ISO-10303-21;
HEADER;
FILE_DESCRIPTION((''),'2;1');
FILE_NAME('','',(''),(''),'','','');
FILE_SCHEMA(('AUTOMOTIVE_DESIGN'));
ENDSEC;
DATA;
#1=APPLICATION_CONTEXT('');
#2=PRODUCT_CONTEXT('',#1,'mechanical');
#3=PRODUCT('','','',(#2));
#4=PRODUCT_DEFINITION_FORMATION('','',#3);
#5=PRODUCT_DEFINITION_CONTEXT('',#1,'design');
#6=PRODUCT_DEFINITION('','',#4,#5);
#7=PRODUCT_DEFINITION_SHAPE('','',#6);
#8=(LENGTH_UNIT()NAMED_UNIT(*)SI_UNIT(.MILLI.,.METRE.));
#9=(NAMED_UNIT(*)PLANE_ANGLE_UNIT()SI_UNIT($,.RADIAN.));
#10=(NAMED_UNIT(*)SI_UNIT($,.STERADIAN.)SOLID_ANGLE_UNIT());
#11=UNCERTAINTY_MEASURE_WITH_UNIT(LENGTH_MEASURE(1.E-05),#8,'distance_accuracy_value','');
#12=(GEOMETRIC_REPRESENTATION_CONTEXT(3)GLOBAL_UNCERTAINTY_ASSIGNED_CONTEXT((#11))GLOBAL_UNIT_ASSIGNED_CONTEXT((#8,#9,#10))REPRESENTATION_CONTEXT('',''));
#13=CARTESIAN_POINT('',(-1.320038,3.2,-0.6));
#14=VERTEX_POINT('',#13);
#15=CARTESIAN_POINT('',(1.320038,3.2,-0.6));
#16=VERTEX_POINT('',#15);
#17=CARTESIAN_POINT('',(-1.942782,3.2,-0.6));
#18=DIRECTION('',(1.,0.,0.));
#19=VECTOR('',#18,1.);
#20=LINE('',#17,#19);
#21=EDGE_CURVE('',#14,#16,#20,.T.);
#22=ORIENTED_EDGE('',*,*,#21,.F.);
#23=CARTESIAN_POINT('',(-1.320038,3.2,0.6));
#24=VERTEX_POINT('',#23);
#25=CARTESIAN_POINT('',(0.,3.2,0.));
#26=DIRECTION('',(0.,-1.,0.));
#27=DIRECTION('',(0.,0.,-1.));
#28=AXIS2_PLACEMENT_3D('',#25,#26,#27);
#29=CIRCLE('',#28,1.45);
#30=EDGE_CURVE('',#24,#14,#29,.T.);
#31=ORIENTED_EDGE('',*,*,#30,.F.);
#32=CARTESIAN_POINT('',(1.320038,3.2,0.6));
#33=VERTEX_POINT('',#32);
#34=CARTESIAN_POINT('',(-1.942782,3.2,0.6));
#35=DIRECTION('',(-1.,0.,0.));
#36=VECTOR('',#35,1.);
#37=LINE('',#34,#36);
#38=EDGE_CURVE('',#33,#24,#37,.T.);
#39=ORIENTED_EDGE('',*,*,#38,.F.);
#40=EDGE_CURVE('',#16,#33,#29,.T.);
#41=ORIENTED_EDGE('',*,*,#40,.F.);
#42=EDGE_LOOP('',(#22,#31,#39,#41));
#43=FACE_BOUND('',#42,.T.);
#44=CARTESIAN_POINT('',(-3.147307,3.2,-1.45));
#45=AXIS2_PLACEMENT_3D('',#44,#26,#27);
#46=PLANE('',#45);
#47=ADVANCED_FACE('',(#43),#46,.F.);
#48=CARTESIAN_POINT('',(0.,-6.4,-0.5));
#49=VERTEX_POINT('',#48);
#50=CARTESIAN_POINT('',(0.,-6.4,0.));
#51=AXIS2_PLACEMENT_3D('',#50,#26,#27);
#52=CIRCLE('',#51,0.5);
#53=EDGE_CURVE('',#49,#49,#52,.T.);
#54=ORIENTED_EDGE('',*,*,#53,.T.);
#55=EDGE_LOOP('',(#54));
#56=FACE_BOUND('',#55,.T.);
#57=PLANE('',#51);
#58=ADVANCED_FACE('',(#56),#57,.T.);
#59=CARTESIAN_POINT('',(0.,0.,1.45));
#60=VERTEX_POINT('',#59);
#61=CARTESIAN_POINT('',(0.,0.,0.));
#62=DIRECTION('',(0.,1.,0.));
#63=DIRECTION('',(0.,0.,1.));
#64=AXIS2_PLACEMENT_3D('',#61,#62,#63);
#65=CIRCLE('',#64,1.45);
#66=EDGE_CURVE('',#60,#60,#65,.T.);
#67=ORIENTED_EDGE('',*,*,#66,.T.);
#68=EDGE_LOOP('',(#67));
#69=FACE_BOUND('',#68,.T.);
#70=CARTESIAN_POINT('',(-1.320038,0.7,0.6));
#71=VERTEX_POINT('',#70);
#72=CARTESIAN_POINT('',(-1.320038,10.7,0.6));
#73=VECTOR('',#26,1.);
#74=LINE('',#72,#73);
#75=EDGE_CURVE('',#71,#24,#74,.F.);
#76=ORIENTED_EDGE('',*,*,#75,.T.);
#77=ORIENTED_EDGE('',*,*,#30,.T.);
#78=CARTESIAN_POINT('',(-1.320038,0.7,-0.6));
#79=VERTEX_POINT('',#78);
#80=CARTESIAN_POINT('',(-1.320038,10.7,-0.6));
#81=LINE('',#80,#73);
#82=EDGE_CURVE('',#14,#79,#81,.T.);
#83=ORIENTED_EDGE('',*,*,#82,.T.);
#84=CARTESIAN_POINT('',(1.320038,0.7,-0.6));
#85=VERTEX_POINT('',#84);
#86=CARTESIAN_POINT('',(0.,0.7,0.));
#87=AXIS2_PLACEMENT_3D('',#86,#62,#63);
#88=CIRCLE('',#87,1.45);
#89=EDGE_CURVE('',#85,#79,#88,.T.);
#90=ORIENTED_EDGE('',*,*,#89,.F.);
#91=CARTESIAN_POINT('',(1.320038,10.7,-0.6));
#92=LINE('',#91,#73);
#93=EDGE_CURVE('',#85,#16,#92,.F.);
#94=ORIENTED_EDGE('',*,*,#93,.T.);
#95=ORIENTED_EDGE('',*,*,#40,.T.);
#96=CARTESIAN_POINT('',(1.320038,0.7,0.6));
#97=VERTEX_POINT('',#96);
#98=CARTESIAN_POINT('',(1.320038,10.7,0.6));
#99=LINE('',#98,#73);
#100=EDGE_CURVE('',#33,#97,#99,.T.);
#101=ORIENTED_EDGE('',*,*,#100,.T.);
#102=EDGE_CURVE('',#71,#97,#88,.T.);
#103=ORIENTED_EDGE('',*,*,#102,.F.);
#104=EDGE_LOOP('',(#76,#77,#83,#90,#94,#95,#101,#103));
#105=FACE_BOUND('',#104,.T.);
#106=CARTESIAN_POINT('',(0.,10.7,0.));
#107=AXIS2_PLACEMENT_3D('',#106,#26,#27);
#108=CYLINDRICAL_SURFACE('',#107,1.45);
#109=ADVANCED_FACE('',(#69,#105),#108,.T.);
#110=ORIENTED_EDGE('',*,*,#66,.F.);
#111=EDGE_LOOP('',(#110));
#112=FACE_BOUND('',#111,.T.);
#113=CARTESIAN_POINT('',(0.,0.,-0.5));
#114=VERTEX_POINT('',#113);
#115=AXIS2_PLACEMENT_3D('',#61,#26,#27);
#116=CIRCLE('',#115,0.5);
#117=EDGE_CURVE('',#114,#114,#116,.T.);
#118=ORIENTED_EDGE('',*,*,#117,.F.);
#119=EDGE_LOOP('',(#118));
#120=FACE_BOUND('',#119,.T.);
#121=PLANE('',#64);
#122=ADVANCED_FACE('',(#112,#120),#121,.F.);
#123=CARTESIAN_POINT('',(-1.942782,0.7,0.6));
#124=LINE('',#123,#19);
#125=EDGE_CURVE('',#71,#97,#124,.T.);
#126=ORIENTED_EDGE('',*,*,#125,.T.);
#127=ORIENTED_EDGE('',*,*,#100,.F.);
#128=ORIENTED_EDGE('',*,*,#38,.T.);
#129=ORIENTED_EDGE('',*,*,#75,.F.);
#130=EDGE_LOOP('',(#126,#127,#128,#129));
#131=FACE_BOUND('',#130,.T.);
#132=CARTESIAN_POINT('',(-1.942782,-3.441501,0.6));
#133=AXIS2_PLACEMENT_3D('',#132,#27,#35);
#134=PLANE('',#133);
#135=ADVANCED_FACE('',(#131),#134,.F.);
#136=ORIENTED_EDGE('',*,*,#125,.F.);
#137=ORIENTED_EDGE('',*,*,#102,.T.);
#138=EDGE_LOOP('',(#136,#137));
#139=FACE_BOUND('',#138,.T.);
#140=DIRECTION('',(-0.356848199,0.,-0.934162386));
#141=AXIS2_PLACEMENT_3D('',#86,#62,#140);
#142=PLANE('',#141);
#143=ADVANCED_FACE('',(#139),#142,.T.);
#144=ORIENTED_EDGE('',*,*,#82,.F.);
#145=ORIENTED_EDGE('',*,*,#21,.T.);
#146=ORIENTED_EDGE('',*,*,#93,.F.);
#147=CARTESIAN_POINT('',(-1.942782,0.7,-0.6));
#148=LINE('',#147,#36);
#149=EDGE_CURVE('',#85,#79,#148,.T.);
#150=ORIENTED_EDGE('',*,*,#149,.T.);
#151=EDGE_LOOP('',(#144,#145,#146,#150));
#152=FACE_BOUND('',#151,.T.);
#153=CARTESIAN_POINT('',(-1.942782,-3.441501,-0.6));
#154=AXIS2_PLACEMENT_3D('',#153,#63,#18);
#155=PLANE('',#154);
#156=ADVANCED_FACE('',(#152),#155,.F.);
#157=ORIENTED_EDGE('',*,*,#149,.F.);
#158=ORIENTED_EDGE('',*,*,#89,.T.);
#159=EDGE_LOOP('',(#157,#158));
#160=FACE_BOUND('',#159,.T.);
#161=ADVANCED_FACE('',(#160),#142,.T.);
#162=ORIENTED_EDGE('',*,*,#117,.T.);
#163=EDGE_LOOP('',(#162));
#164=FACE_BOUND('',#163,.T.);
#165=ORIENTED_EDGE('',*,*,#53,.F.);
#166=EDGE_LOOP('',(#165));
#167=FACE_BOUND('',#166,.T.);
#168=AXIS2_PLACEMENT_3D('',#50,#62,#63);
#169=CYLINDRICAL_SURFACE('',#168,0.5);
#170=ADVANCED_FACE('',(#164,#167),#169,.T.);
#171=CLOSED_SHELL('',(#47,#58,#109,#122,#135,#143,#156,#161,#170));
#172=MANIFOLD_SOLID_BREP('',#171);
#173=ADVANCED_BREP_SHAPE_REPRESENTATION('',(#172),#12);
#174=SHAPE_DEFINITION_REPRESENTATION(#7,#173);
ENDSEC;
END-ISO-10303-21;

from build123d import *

# Parameters (mm, degrees)
CROQUIS1_R              = 1.45
SALIENTE_EXTRUIR1_DEPTH = 10.7
CORTAR_EXTRUIR1_START   = -6
CORTAR_EXTRUIR1_DEPTH   = 6
CROQUIS3_R              = 0.5
SALIENTE_EXTRUIR2_DEPTH = 6.4
CUT_EXTRUDE1_START      = -10
CUT_EXTRUDE1_DEPTH      = 10
SKETCH2_W               = 6.740875304
SKETCH2_H               = 8.89846687
CUT_EXTRUDE2_DEPTH      = 11.990677868


with BuildPart() as part:
    # Croquis1 → Saliente-Extruir1 (new body)
    with BuildSketch(Plane(origin=(0, 0, 0), x_dir=(1, 0, 0), z_dir=(0, 1, 0))):
        with Locations(Location((0, 0, 0), (0, 0, 270))):
            Circle(CROQUIS1_R)
    extrude(amount=SALIENTE_EXTRUIR1_DEPTH)

    # Croquis2 → Cortar-Extruir1 (cut)
    with BuildSketch(Plane(origin=(0, 10.7, 0), x_dir=(1, 0, 0), z_dir=(0, 1, 0)).offset(CORTAR_EXTRUIR1_START)):
        with BuildLine():
            Line((-1, -1.05), (1, -1.05))
            ThreePointArc((1, -1.05), (0, -1.45), (-1, -1.05))
        make_face()
    extrude(amount=CORTAR_EXTRUIR1_DEPTH, mode=Mode.SUBTRACT)

    # Croquis3 → Saliente-Extruir2 (add)
    with BuildSketch(Plane.XZ):
        with Locations(Location((0, 0, 0), (0, 0, 270))):
            Circle(CROQUIS3_R)
    extrude(amount=SALIENTE_EXTRUIR2_DEPTH)

    # Sketch1 → Cut-Extrude1 (cut)
    with BuildSketch(Plane(origin=(0, 10.7, 0), x_dir=(1, 0, 0), z_dir=(0, 1, 0)).offset(CUT_EXTRUDE1_START)):
        with BuildLine():
            Line((-1.942782437, 0.6), (1.942782437, 0.6))
            ThreePointArc((1.942782437, 0.6), (0, 2.033323289), (-1.942782437, 0.6))
        make_face()
        with BuildLine():
            Line((-1.942782437, -0.6), (1.942782437, -0.6))
            ThreePointArc((1.942782437, -0.6), (0, -2.033323289), (-1.942782437, -0.6))
        make_face()
    extrude(amount=CUT_EXTRUDE1_DEPTH, mode=Mode.SUBTRACT)

    # Sketch2 → Cut-Extrude2 (cut, through all)
    with BuildSketch(Plane.XY.offset(0.6)):
        with Locations((0.223130537, 7.649233435)):
            Rectangle(SKETCH2_W, SKETCH2_H)
    extrude(amount=-CUT_EXTRUDE2_DEPTH, mode=Mode.SUBTRACT)


solid = part.part
